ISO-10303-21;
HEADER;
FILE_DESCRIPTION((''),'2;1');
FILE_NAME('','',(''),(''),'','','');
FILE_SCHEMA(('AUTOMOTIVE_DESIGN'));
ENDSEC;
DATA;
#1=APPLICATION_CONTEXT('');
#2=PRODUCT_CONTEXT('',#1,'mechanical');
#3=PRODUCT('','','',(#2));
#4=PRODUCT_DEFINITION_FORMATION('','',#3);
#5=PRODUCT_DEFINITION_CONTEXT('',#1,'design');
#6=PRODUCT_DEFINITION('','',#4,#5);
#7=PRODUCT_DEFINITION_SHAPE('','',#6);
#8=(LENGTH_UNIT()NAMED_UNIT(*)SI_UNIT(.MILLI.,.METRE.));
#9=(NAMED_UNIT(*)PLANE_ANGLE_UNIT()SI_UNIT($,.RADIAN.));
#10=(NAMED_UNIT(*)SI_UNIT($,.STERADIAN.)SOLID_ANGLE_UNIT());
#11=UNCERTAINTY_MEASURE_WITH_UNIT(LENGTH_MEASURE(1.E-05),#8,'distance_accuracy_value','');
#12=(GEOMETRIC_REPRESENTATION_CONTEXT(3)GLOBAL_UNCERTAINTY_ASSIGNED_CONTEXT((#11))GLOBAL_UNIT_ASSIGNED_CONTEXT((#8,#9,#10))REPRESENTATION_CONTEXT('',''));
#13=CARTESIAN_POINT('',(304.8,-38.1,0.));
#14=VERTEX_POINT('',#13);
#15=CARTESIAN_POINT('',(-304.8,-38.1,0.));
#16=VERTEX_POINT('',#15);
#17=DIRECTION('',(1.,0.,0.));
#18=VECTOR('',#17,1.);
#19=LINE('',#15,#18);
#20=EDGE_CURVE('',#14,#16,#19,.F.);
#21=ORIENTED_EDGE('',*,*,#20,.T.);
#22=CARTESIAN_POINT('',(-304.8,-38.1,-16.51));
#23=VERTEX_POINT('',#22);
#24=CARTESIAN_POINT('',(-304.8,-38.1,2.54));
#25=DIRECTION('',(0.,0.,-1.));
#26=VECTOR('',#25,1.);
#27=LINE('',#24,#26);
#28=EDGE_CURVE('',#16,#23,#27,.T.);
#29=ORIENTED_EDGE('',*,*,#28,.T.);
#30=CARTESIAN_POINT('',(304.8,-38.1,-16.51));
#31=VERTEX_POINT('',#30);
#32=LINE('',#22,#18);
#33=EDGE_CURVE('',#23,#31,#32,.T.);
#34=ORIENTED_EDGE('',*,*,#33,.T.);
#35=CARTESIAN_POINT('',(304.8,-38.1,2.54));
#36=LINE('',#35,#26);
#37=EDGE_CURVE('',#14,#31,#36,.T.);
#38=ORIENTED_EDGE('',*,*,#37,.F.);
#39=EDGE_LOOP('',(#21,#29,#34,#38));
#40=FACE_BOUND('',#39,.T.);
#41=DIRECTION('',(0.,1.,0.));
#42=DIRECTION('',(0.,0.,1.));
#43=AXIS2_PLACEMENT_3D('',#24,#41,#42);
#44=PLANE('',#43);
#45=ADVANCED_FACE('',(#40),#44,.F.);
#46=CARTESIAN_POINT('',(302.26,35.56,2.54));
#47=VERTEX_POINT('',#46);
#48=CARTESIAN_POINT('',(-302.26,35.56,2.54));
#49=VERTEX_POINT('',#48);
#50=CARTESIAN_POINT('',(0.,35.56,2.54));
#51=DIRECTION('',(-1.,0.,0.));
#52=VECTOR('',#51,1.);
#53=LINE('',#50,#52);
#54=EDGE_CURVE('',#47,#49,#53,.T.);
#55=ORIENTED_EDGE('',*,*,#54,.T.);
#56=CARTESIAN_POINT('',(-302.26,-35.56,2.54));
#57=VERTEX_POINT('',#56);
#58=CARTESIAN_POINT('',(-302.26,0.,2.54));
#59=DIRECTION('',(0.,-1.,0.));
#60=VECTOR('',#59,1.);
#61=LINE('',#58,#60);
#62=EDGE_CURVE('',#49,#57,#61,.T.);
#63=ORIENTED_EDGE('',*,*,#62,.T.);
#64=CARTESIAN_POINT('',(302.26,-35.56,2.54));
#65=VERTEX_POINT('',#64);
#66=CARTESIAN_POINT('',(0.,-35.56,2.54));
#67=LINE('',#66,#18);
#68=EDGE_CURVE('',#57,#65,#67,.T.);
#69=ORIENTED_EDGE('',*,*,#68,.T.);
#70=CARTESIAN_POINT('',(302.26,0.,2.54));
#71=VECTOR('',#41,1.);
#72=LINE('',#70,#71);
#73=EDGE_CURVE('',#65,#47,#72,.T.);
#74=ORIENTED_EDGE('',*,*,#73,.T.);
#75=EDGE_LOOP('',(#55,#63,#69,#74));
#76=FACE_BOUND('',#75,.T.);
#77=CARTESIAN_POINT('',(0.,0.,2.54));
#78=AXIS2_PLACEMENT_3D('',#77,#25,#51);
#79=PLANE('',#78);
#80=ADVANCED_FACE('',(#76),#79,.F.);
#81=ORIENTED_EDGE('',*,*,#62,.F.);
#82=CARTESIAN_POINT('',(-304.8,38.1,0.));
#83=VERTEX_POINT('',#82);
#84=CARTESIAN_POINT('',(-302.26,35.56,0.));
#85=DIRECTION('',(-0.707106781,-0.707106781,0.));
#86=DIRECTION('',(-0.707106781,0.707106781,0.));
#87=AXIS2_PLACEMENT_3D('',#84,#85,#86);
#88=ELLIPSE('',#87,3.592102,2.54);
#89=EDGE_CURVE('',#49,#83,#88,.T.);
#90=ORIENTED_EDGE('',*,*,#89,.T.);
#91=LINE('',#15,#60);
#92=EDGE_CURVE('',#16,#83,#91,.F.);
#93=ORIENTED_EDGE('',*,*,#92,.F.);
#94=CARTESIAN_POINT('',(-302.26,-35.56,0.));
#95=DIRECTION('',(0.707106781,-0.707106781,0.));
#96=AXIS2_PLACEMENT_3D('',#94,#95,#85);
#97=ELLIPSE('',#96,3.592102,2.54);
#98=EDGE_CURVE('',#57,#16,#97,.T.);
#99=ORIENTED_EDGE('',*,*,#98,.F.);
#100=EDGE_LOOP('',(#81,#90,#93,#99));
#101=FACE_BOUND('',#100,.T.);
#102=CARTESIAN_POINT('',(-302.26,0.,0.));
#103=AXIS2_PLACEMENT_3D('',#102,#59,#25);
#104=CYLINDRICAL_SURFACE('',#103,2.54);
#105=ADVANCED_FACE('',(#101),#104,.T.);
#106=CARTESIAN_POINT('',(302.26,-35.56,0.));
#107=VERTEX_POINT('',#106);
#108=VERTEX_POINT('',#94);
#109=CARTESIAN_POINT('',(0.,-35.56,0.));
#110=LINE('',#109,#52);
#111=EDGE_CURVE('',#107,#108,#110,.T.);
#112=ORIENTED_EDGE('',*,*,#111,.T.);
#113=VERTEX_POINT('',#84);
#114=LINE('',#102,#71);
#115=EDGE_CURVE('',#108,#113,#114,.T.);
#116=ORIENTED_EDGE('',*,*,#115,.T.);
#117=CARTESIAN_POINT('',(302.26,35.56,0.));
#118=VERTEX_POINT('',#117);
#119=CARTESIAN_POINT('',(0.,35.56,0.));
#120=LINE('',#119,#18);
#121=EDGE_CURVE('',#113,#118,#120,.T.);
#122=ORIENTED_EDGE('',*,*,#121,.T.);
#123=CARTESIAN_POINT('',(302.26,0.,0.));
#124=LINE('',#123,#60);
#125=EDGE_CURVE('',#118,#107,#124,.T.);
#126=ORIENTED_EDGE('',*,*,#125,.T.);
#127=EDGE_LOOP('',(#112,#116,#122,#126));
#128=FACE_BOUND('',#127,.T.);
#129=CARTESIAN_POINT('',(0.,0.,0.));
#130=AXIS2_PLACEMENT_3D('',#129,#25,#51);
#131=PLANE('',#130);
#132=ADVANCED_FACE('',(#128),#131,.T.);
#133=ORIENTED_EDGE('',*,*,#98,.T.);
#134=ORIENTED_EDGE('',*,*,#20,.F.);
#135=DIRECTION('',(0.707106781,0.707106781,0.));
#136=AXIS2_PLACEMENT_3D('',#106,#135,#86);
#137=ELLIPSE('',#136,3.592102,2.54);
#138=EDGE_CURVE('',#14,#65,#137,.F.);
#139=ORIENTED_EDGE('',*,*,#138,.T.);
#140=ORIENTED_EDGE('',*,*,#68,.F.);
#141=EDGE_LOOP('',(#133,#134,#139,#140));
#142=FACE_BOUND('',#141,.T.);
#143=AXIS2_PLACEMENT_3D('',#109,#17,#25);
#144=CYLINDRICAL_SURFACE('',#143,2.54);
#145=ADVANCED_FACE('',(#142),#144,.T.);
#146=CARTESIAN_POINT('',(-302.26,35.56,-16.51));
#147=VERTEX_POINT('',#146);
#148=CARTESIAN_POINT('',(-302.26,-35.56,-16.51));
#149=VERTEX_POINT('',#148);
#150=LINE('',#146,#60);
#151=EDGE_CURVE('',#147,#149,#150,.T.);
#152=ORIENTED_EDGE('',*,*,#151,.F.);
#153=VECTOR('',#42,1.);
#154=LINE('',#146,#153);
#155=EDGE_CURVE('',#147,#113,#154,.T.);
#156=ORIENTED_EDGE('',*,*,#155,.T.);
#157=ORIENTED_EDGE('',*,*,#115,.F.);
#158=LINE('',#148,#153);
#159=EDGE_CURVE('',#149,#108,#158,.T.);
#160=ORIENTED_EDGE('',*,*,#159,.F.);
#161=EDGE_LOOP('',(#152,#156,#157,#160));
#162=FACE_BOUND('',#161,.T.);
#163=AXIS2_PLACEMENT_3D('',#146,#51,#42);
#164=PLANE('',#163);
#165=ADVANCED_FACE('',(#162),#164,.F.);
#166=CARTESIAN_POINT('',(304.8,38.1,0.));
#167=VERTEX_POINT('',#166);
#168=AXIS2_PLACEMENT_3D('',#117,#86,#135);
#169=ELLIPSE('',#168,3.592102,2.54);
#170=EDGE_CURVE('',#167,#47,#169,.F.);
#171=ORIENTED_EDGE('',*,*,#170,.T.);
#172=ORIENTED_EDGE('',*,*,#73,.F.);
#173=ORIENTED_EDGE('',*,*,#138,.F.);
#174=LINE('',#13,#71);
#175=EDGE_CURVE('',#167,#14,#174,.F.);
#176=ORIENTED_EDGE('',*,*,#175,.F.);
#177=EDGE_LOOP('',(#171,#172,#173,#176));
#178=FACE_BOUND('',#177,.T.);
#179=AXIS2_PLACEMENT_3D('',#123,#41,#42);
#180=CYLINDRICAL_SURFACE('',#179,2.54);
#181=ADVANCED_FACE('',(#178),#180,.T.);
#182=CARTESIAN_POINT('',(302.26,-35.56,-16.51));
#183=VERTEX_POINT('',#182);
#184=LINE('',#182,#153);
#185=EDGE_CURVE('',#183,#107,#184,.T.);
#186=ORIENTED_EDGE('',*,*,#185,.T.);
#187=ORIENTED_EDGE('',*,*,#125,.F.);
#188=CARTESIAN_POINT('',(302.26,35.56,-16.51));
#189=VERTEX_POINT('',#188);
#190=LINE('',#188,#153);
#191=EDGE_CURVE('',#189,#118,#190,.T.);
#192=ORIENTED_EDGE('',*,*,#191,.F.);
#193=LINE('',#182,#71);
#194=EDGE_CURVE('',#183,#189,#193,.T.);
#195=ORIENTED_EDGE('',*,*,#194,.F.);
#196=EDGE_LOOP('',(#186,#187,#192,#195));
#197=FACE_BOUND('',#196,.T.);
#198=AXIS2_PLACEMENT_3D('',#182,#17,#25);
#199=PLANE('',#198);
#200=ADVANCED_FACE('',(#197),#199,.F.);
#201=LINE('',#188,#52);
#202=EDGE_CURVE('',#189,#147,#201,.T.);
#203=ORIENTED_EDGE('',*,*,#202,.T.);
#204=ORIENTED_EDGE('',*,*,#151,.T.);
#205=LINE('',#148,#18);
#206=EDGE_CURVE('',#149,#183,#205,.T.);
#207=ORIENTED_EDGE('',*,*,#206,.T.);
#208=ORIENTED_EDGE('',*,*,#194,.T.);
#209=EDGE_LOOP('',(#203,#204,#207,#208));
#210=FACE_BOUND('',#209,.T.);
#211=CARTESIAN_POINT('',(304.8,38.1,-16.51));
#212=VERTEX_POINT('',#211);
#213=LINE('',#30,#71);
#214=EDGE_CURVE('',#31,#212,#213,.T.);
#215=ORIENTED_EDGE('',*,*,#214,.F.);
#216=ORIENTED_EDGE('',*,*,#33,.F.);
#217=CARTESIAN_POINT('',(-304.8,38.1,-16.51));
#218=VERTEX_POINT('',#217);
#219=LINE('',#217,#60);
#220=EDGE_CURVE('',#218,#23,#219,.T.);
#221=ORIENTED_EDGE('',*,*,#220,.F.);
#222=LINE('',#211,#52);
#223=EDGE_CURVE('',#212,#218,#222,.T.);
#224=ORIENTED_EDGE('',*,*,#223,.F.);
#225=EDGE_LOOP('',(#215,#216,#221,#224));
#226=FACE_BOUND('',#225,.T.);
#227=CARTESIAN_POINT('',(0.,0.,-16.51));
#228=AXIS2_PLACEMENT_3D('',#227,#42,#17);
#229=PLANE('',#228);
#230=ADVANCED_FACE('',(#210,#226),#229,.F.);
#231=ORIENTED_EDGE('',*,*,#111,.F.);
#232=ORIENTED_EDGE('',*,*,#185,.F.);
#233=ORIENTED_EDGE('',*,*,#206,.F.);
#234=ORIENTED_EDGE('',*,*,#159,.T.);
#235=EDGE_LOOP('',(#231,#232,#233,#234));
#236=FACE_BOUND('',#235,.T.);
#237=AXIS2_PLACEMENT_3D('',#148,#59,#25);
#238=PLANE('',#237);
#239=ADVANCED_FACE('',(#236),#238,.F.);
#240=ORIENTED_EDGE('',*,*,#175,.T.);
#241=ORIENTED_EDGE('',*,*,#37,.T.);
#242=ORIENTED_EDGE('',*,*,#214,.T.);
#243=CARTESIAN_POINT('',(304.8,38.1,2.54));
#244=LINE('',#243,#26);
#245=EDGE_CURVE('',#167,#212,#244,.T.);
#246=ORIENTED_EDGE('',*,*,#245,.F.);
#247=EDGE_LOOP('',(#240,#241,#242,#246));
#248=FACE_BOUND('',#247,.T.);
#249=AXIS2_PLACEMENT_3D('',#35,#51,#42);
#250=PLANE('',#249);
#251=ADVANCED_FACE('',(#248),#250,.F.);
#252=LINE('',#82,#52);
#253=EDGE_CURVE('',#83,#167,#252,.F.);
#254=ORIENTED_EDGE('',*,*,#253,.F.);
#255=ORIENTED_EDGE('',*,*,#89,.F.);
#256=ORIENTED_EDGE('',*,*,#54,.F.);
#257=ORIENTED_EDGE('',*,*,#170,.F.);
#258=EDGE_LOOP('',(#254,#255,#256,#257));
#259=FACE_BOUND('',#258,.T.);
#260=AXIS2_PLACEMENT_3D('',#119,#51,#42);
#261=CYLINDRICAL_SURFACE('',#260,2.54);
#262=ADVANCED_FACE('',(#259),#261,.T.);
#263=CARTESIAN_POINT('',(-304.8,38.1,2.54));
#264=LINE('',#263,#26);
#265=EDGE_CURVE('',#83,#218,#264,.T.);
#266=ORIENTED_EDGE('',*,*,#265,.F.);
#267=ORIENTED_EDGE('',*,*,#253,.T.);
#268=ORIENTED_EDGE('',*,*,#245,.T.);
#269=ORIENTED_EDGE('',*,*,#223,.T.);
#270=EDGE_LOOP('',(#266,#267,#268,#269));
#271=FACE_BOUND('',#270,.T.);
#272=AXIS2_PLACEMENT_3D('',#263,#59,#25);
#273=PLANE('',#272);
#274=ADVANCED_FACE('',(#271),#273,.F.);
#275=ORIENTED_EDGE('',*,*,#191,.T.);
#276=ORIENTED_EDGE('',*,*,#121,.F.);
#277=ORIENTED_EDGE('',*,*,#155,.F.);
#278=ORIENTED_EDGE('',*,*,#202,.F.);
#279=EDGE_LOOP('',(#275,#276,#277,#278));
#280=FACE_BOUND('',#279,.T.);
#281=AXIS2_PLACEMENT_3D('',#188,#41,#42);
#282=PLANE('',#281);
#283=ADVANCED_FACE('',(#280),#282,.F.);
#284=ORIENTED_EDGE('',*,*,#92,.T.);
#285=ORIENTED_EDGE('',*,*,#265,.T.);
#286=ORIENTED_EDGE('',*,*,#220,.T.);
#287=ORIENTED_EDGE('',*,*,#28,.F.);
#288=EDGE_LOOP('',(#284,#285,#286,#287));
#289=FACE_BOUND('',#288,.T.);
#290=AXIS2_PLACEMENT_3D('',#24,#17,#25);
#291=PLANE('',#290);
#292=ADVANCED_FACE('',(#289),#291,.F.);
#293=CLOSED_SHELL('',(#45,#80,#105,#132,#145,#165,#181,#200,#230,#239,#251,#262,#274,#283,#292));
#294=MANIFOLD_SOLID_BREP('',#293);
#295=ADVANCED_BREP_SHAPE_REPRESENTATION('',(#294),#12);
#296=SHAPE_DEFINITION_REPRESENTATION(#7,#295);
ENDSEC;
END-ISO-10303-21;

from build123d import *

# Parameters (mm, degrees)
SKETCH1_W           = 609.6
SKETCH1_H           = 76.2
BOSS_EXTRUDE1_DEPTH = 2.54
SKETCH2_W           = 609.6
SKETCH2_H           = 76.2
SKETCH2_W_2         = 604.52
SKETCH2_H_2         = 71.12
BOSS_EXTRUDE2_DEPTH = 19.05
FILLET1_R           = 2.54


with BuildPart() as part:
    # Sketch1 → Boss-Extrude1 (new body)
    with BuildSketch(Plane.XY):
        Rectangle(SKETCH1_W, SKETCH1_H)
    extrude(amount=BOSS_EXTRUDE1_DEPTH)

    # Sketch2 → Boss-Extrude2 (add)
    with BuildSketch(Plane.XY.offset(2.54)):
        Rectangle(SKETCH2_W, SKETCH2_H)
        Rectangle(SKETCH2_W_2, SKETCH2_H_2, mode=Mode.SUBTRACT)
    extrude(amount=-BOSS_EXTRUDE2_DEPTH)

    # Fillet1
    fillet1_edges = [part.edges().sort_by_distance(p)[0] for p in [
        (-304.8, 0, 2.54),
        (0, -38.1, 2.54),
        (304.8, 0, 2.54),
        (0, 38.1, 2.54),
    ]]
    fillet(fillet1_edges, radius=FILLET1_R)


solid = part.part
